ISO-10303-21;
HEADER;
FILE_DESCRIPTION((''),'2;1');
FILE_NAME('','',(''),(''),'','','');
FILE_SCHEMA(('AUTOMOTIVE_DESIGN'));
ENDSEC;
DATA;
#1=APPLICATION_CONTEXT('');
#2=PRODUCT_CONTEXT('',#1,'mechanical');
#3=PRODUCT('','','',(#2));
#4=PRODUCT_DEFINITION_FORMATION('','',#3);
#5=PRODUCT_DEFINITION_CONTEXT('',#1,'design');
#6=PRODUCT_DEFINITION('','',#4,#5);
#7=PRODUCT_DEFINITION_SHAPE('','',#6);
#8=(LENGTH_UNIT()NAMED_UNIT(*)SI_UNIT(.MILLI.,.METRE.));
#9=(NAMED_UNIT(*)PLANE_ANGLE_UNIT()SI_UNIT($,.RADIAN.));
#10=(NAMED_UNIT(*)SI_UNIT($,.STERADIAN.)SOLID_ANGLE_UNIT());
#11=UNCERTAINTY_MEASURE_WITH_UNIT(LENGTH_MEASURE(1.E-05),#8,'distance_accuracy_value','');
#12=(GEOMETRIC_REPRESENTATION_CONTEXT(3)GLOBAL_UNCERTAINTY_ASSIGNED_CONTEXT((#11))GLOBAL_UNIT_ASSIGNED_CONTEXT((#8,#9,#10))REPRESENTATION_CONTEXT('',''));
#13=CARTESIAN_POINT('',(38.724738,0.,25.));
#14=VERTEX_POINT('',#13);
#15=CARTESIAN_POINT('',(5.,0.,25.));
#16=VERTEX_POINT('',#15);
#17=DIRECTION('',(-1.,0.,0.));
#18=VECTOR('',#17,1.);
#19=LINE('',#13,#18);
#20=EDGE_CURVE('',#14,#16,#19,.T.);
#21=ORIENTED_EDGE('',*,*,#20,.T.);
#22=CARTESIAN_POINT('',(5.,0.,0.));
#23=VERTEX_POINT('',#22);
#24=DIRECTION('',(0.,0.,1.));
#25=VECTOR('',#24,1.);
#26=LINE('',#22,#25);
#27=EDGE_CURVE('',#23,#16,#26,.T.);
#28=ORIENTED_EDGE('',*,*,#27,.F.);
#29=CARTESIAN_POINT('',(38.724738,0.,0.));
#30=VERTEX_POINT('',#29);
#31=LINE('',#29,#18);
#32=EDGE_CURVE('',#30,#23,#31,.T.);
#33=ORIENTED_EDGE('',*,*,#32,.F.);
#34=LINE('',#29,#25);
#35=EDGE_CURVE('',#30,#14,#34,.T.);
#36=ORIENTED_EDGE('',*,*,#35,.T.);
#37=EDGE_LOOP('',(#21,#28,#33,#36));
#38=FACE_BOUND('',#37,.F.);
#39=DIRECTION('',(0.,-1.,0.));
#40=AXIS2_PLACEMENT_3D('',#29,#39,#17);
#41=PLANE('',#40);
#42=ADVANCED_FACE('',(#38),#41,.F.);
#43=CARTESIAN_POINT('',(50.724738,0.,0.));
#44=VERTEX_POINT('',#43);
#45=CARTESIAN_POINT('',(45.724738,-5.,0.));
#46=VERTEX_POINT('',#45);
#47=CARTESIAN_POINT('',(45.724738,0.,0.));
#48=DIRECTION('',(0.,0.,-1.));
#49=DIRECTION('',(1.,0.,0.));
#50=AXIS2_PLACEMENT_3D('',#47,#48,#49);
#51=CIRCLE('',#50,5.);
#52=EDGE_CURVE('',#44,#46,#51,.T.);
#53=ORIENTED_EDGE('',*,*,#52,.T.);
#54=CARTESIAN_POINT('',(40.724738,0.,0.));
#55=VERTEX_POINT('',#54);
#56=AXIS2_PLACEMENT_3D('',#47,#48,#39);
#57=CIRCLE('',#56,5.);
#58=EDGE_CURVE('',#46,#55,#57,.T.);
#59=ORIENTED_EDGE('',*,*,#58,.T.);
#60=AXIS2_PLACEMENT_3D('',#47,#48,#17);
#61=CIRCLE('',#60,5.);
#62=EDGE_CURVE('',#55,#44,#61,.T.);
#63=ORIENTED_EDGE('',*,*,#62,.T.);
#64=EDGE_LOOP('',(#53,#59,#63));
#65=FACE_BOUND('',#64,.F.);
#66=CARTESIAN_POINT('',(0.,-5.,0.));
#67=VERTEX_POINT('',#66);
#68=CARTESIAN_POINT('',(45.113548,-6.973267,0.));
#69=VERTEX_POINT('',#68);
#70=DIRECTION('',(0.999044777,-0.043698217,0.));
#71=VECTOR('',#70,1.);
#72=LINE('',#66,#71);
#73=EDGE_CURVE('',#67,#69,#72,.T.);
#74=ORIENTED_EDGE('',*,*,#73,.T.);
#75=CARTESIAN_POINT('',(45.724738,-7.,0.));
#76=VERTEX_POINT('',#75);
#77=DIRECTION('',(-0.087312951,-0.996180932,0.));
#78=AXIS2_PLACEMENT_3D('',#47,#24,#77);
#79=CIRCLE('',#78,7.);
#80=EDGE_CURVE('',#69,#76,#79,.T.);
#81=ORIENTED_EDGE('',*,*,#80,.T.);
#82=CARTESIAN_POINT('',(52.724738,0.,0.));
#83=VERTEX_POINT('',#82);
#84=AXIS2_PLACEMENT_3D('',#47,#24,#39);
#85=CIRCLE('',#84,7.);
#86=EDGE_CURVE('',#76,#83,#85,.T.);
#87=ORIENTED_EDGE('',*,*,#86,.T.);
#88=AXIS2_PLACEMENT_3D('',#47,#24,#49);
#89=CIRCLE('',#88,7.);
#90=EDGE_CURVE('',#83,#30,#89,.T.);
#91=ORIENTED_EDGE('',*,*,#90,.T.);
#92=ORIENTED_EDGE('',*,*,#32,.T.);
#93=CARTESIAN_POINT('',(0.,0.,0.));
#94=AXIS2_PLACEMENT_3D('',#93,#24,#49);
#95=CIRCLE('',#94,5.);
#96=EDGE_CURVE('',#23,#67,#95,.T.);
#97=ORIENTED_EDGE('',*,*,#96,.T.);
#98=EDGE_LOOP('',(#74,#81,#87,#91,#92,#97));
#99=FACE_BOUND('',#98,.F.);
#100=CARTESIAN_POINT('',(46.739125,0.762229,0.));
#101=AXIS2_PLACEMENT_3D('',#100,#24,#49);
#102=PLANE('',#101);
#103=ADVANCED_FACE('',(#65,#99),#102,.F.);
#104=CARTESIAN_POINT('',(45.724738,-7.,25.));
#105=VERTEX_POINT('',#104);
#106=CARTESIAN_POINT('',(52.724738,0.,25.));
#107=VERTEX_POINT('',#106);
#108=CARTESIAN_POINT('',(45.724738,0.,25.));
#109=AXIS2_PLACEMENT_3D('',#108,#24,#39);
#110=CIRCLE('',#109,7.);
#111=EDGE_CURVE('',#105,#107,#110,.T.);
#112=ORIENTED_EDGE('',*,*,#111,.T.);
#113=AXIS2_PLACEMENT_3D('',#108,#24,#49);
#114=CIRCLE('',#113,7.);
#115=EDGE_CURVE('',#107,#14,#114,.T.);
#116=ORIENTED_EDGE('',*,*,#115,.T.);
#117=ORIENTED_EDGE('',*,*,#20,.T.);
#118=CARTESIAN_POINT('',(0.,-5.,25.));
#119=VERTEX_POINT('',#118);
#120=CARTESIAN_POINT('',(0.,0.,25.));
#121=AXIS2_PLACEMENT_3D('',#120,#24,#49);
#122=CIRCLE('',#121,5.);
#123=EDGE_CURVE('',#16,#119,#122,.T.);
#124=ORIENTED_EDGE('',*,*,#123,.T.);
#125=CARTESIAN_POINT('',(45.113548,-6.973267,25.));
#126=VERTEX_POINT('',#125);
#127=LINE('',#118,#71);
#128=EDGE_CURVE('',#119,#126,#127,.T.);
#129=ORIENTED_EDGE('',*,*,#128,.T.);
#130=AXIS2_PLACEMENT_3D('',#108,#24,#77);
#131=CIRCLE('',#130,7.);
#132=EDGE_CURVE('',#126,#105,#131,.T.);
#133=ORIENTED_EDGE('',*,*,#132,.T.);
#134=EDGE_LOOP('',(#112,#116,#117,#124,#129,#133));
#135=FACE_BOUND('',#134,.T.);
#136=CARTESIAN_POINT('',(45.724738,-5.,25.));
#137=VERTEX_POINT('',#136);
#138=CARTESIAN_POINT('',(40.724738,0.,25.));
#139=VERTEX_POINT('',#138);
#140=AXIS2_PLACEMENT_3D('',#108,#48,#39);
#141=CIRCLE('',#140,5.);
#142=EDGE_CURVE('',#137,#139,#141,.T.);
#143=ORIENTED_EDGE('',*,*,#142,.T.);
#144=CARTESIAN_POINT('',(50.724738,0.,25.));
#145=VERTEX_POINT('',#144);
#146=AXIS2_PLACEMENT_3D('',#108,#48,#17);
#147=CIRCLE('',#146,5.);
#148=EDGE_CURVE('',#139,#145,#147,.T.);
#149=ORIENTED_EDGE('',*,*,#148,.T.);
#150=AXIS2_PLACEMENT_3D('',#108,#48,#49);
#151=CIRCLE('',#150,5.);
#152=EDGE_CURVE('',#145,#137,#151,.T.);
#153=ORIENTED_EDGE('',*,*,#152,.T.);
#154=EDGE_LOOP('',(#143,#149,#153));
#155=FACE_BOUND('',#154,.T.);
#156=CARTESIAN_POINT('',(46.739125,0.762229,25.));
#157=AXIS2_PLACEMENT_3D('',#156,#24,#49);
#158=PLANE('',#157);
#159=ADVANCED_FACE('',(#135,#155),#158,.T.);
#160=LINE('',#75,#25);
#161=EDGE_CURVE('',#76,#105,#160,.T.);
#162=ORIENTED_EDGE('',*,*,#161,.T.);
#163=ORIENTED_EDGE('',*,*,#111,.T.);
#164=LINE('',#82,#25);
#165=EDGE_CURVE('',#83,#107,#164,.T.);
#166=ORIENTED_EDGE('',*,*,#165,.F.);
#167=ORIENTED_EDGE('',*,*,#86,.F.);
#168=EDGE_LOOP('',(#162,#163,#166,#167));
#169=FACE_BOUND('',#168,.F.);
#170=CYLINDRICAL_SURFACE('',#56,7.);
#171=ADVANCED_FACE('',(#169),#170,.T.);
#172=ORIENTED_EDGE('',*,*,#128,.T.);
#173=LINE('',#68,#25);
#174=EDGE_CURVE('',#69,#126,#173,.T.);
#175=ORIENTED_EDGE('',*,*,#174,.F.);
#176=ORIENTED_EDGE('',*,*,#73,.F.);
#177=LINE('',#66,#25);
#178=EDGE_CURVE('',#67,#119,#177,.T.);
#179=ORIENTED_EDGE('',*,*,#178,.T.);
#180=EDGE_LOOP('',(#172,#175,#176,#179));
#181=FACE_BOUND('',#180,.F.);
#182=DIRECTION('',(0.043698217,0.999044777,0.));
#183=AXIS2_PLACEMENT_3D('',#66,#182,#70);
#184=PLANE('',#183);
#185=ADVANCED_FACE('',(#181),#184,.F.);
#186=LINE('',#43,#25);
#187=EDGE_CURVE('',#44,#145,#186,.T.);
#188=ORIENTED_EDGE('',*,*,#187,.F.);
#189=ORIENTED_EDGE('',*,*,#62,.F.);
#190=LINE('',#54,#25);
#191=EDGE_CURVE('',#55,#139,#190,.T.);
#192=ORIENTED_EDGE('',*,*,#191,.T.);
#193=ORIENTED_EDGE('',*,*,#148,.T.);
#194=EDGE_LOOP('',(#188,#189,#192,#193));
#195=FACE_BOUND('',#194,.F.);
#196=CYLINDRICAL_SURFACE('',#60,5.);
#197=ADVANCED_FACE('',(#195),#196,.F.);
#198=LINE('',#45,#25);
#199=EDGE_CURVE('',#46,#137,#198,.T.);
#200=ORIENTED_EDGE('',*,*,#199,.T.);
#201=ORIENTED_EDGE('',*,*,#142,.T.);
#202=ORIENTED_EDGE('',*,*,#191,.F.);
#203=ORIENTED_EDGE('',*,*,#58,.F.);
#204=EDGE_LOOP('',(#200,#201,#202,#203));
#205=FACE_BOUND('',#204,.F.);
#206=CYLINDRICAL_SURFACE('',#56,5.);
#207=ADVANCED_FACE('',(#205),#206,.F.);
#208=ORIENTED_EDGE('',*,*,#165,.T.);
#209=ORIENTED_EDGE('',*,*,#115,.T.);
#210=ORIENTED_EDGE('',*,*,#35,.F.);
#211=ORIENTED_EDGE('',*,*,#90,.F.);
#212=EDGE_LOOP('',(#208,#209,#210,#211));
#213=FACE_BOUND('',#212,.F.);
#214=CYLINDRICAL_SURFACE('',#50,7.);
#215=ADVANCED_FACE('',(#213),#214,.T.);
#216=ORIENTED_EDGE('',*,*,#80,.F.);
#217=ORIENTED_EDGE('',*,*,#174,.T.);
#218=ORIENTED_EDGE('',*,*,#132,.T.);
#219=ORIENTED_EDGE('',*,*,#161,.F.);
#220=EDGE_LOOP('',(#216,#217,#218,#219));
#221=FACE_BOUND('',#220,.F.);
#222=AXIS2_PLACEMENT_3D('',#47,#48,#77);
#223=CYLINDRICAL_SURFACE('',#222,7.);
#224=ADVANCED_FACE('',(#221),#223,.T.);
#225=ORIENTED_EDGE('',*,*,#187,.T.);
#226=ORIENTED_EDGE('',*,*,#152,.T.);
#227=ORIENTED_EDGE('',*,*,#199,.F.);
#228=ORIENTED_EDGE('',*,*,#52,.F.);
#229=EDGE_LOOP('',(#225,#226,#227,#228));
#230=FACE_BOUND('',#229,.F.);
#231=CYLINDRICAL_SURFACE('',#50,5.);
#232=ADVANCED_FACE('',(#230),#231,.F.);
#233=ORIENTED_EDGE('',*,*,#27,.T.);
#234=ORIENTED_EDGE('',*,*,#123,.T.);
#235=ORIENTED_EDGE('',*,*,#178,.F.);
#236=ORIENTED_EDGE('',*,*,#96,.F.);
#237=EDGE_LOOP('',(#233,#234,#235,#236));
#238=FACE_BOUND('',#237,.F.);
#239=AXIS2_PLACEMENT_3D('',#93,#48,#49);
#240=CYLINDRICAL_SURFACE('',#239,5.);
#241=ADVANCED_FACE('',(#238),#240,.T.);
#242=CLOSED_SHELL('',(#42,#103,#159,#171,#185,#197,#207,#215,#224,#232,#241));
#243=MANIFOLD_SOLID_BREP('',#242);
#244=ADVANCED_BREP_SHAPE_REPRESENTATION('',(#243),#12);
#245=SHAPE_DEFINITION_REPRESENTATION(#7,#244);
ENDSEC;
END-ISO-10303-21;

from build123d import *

# Parameters (mm, degrees)
F1_DEPTH = 25


with BuildPart() as f1:
    # F0 (on Top) → F1 (new body)
    with BuildSketch(Plane.XY):
        with BuildLine():
            ThreePointArc((52.7247383893, 0), (45.7247383893, 7), (38.7247383893, 0))
            Line((38.7247383893, 0), (40.7247383893, 0))
            ThreePointArc((40.7247383893, 0), (45.7247383893, 5), (50.7247383893, 0))
            ThreePointArc((50.7247383893, 0), (49.2602722952, -3.5355339059), (45.7247383893, -5))
            Line((45.7247383893, -5), (45.7247383893, -7))
            ThreePointArc((45.7247383893, -7), (50.6744858576, -4.9497474683), (52.7247383893, 0))
        make_face()
        with BuildLine():
            ThreePointArc((0, -5), (3.5355339059, -3.5355339059), (5, 0))
            ThreePointArc((5, 0), (-3.5355339059, 3.5355339059), (0, -5))
        make_face()
        with BuildLine():
            Line((22.8623691946, 0), (5, 0))
            ThreePointArc((5, 0), (3.5355339059, -3.5355339059), (0, -5))
            Line((0, -5), (45.1135477291, -6.9732665213))
            ThreePointArc((45.1135477291, -6.9732665213), (40.5634238948, -4.7287242137), (38.7247383893, 0))
            Line((38.7247383893, 0), (22.8623691946, 0))
        make_face()
        with BuildLine():
            Line((45.7247383893, -7), (45.1135477291, -6.9732665213))
            ThreePointArc((45.1135477291, -6.9732665213), (45.4188508683, -6.9933134367), (45.7247383893, -7))
        make_face()
        with BuildLine():
            ThreePointArc((38.7247383893, 0), (40.5634238948, -4.7287242137), (45.1135477291, -6.9732665213))
            Line((45.1135477291, -6.9732665213), (45.7247383893, -7))
            Line((45.7247383893, -7), (45.7247383893, -5))
            ThreePointArc((45.7247383893, -5), (42.1892044833, -3.5355339059), (40.7247383893, 0))
            Line((40.7247383893, 0), (38.7247383893, 0))
        make_face()
    extrude(amount=F1_DEPTH)


solid = f1.part
